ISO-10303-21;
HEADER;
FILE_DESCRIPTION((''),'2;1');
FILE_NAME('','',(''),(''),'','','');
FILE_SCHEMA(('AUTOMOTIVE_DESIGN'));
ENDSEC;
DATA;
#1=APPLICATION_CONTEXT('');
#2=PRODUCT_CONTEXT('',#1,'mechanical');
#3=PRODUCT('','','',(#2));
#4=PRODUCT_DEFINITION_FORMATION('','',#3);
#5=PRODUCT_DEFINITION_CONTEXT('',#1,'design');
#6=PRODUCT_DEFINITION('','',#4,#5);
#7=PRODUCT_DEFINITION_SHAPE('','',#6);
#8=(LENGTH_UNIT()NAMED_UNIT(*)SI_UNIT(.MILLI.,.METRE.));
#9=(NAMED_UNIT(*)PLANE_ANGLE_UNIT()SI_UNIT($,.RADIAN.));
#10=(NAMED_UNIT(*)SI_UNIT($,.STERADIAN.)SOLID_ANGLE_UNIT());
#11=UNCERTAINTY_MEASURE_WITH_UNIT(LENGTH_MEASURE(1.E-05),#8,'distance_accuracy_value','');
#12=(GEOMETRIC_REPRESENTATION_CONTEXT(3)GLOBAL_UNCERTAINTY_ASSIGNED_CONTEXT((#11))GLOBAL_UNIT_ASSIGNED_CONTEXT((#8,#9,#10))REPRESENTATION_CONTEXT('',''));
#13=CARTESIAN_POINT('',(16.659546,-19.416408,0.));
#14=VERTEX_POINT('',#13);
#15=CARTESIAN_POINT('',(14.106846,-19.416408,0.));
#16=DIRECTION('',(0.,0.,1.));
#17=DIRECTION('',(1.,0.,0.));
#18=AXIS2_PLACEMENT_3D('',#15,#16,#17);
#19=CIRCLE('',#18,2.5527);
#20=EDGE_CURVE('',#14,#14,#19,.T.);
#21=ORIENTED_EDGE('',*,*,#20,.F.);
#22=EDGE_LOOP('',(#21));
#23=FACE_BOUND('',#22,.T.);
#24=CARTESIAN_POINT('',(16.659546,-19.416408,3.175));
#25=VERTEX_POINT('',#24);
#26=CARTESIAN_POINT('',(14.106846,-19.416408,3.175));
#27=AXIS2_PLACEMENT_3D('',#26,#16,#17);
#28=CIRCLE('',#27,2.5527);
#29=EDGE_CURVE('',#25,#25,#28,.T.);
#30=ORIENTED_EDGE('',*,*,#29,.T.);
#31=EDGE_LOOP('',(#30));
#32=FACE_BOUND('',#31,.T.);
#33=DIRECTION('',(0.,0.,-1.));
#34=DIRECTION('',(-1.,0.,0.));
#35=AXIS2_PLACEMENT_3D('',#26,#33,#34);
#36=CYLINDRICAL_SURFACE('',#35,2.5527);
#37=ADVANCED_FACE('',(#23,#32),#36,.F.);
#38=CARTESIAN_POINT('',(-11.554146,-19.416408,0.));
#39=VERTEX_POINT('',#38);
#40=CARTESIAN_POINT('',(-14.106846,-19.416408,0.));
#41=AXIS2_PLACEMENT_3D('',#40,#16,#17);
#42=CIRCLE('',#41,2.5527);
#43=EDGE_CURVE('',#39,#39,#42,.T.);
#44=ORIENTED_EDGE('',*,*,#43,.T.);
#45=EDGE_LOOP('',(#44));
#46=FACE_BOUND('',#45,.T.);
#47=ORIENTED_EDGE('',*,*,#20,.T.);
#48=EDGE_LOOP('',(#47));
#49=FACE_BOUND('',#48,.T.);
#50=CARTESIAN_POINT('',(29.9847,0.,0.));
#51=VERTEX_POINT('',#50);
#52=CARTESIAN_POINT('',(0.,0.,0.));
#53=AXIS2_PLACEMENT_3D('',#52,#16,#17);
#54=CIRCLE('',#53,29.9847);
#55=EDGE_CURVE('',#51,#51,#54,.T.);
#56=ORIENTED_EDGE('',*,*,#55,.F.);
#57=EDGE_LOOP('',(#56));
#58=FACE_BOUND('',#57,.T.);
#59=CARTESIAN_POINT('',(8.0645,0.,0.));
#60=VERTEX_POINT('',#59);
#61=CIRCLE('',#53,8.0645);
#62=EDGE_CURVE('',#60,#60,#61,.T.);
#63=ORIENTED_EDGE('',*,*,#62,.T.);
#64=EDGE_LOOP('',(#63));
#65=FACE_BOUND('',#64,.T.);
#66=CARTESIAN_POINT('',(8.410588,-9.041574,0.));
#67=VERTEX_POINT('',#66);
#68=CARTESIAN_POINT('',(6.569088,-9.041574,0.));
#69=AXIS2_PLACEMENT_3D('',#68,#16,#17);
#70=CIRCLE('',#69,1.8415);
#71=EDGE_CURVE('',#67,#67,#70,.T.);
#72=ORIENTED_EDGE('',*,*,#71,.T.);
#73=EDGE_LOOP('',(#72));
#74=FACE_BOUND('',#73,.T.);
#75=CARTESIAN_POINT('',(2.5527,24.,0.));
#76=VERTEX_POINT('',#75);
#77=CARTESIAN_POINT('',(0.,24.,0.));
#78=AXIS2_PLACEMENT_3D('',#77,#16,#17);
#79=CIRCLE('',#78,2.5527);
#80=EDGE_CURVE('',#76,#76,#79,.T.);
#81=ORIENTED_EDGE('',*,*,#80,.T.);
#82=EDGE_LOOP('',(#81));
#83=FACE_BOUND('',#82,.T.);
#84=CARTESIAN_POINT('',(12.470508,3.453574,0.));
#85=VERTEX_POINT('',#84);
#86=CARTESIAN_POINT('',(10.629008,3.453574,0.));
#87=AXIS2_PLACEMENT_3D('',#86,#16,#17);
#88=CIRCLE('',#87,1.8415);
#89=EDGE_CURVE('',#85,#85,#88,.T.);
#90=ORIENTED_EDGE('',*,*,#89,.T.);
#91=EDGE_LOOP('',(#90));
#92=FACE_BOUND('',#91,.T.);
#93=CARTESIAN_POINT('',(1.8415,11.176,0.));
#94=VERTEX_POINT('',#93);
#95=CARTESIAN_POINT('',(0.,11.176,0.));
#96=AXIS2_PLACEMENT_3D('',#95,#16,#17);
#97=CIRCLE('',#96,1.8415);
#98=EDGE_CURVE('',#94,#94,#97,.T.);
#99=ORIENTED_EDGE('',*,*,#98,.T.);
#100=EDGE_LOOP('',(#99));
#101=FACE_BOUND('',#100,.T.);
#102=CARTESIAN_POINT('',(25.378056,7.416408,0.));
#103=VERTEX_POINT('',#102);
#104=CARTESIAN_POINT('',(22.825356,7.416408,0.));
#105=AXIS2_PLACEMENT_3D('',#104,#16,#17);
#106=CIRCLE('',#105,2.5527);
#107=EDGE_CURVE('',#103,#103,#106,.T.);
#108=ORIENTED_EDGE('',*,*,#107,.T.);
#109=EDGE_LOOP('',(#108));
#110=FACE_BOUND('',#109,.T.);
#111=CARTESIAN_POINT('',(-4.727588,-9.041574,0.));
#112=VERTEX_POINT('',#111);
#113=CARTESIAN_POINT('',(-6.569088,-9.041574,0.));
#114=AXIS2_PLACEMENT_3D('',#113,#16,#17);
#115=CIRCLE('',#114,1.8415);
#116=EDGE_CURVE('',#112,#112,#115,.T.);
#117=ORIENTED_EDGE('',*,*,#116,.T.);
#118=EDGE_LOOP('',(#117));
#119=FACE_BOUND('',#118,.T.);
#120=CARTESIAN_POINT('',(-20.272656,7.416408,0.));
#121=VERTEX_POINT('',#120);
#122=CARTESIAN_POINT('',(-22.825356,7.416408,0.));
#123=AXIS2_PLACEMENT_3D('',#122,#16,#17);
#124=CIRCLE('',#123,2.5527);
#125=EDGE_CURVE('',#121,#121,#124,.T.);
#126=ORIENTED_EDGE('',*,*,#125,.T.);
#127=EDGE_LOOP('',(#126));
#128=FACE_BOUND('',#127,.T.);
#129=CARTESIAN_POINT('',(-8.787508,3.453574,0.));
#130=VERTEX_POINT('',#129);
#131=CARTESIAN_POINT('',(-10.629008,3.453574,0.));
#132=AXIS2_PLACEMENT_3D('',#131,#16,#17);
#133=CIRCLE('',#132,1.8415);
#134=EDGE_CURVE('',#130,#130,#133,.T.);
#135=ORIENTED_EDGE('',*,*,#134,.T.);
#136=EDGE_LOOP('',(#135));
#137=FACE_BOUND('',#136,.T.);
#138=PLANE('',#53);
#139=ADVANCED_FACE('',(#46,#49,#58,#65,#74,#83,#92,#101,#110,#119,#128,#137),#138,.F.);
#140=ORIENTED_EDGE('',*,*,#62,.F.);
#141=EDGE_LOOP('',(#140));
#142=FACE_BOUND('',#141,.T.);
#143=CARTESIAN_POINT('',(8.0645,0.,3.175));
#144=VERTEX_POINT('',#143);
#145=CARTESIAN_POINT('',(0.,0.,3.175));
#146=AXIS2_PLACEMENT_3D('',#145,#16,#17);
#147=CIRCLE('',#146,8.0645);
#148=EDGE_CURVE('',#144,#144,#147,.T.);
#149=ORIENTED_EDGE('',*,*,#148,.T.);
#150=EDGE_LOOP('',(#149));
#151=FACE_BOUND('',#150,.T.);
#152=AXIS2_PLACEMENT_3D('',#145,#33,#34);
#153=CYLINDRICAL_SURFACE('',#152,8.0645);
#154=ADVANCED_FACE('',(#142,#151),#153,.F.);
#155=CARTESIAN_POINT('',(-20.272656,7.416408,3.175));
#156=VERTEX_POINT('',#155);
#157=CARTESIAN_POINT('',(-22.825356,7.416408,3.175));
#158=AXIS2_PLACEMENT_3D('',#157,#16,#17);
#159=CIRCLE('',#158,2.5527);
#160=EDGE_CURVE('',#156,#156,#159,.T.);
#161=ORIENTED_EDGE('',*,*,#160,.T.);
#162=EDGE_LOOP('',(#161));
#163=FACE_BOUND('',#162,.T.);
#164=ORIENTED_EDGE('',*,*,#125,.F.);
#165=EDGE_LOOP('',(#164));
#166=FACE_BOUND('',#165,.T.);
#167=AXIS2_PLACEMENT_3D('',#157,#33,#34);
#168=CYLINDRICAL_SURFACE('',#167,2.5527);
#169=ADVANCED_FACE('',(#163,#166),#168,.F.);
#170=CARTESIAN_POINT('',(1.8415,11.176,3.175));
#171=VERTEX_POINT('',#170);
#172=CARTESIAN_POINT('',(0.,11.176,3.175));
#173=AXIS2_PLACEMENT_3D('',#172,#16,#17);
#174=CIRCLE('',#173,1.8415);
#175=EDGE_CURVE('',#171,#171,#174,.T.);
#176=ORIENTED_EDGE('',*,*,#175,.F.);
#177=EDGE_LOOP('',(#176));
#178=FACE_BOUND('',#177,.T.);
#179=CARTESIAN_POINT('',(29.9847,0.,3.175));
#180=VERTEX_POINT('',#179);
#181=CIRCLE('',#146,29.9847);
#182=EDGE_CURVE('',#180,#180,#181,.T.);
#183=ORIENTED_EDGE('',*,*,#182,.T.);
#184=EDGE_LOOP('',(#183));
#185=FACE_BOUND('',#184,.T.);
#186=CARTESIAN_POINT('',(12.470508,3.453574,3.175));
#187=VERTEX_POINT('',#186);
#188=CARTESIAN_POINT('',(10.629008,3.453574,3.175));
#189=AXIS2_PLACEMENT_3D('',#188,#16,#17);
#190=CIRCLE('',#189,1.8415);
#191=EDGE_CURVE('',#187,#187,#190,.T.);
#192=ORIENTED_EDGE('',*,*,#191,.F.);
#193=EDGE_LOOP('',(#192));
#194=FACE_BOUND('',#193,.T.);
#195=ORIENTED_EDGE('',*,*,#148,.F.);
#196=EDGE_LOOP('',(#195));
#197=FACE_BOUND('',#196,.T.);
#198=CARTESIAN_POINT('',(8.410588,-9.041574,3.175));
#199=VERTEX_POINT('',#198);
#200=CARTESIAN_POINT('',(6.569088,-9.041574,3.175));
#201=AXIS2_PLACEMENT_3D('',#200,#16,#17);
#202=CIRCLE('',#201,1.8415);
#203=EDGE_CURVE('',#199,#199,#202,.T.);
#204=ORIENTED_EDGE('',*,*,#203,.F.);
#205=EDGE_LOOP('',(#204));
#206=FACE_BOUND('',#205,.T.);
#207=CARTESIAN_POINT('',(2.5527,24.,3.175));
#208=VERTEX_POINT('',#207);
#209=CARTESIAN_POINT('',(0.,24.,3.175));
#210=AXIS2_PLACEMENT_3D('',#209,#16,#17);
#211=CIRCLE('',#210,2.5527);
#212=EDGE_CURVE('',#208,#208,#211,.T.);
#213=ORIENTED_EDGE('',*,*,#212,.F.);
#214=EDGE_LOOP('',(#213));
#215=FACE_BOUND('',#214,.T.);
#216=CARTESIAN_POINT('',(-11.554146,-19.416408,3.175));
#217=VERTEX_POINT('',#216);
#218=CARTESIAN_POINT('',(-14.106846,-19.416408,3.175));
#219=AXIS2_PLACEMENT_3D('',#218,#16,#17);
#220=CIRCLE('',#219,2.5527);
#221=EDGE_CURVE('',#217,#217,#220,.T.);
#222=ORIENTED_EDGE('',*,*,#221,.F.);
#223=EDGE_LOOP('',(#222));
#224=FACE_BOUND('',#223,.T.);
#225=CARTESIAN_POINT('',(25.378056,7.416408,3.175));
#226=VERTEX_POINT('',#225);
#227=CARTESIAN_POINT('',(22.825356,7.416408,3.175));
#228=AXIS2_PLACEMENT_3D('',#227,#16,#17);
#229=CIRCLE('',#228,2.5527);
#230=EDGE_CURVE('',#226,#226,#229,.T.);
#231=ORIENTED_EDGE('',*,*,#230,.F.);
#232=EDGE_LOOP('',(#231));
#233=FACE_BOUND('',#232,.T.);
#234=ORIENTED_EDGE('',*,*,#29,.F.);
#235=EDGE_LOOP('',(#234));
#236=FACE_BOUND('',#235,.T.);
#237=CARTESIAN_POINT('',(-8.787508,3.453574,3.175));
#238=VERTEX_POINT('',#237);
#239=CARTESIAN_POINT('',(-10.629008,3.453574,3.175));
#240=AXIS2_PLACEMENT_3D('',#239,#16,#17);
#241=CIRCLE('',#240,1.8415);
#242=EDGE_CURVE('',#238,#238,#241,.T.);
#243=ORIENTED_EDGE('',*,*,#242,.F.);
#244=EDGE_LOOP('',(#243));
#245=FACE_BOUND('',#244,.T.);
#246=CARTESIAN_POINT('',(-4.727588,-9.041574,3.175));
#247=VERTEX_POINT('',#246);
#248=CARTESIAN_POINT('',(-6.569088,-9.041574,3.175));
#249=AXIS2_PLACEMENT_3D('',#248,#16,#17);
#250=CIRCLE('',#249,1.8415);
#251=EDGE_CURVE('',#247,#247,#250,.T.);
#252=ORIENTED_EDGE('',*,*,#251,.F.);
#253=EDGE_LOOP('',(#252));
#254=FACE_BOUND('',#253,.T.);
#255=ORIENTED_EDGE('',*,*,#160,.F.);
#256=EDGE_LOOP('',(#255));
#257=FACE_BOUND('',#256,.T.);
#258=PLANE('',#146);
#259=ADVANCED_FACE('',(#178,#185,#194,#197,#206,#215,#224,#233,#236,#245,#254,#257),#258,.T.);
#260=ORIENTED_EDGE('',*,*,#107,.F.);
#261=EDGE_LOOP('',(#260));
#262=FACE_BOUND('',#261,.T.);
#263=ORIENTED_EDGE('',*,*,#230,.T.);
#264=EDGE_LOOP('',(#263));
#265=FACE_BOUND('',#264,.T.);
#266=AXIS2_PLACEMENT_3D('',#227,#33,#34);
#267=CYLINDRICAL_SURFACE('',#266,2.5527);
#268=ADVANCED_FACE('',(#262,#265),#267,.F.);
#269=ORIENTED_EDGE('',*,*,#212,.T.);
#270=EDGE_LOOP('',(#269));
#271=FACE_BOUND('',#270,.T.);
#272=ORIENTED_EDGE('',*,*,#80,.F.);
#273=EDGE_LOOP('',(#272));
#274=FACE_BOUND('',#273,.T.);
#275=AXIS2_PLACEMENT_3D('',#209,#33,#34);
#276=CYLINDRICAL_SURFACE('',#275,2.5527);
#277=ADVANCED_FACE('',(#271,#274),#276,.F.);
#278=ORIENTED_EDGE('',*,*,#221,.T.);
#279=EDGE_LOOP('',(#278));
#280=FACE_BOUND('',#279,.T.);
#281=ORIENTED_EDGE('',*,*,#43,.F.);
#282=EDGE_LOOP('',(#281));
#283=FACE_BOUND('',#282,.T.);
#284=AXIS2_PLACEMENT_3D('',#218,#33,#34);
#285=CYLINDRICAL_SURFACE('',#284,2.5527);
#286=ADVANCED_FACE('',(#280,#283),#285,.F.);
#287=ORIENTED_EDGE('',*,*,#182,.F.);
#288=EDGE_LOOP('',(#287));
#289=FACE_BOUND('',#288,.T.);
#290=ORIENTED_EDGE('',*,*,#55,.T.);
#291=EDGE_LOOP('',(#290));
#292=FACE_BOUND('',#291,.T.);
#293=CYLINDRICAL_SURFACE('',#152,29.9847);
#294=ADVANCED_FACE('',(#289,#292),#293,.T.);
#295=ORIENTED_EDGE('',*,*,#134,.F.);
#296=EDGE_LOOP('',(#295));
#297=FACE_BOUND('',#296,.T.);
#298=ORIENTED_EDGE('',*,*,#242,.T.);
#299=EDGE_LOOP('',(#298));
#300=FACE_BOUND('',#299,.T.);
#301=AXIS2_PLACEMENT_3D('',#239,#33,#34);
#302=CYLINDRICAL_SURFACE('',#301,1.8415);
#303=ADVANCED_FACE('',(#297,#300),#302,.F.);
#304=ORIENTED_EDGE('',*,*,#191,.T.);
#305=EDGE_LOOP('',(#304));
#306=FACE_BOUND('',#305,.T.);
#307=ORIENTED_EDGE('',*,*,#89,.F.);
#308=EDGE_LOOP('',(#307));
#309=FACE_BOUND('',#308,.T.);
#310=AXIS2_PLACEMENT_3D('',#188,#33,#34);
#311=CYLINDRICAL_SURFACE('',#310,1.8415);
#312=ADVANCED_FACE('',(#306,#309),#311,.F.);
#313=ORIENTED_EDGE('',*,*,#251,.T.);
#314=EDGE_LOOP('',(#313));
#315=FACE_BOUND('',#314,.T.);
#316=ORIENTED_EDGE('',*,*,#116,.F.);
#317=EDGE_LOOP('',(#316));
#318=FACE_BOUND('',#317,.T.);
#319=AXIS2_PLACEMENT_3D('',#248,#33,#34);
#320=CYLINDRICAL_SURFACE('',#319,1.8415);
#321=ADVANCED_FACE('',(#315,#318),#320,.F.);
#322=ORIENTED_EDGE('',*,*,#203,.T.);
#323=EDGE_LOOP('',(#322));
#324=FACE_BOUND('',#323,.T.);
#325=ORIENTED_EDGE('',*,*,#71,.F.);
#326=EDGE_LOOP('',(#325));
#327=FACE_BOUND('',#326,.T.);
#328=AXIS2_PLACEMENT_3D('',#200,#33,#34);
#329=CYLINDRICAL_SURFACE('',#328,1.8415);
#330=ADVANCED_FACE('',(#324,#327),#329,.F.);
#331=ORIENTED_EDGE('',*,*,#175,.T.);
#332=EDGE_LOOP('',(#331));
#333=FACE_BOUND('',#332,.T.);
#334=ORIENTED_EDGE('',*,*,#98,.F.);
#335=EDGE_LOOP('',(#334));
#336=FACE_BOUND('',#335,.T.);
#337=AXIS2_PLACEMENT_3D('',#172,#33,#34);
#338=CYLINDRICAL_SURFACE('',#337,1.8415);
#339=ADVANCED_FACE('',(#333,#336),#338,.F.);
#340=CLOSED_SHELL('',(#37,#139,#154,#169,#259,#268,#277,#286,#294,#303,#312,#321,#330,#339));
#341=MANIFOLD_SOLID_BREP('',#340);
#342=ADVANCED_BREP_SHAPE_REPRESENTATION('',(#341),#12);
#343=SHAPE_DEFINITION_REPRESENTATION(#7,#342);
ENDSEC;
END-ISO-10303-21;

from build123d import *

# Parameters (mm, degrees)
SKETCH1_R           = 29.9847
SKETCH1_R_2         = 8.0645
SKETCH1_R_3         = 1.8415
SKETCH1_R_4         = 2.5527
BOSS_EXTRUDE1_DEPTH = 3.175


with BuildPart() as part:
    # Sketch1 → Boss-Extrude1 (new body)
    with BuildSketch(Plane.XY):
        Circle(SKETCH1_R)
        Circle(SKETCH1_R_2, mode=Mode.SUBTRACT)
        with Locations((0, 11.176)):
            Circle(SKETCH1_R_3, mode=Mode.SUBTRACT)
        with Locations((0, 24.000000006)):
            Circle(SKETCH1_R_4, mode=Mode.SUBTRACT)
        with Locations((10.629007626, 3.453573929)):
            Circle(SKETCH1_R_3, mode=Mode.SUBTRACT)
        with Locations((22.825356397, 7.416407867)):
            Circle(SKETCH1_R_4, mode=Mode.SUBTRACT)
        with Locations((6.56908798, -9.041573929)):
            Circle(SKETCH1_R_3, mode=Mode.SUBTRACT)
        with Locations((14.106846059, -19.41640787)):
            Circle(SKETCH1_R_4, mode=Mode.SUBTRACT)
        with Locations((-6.56908798, -9.041573929)):
            Circle(SKETCH1_R_3, mode=Mode.SUBTRACT)
        with Locations((-14.106846059, -19.41640787)):
            Circle(SKETCH1_R_4, mode=Mode.SUBTRACT)
        with Locations((-10.629007626, 3.453573929)):
            Circle(SKETCH1_R_3, mode=Mode.SUBTRACT)
        with Locations((-22.825356397, 7.416407867)):
            Circle(SKETCH1_R_4, mode=Mode.SUBTRACT)
    extrude(amount=BOSS_EXTRUDE1_DEPTH)


solid = part.part
